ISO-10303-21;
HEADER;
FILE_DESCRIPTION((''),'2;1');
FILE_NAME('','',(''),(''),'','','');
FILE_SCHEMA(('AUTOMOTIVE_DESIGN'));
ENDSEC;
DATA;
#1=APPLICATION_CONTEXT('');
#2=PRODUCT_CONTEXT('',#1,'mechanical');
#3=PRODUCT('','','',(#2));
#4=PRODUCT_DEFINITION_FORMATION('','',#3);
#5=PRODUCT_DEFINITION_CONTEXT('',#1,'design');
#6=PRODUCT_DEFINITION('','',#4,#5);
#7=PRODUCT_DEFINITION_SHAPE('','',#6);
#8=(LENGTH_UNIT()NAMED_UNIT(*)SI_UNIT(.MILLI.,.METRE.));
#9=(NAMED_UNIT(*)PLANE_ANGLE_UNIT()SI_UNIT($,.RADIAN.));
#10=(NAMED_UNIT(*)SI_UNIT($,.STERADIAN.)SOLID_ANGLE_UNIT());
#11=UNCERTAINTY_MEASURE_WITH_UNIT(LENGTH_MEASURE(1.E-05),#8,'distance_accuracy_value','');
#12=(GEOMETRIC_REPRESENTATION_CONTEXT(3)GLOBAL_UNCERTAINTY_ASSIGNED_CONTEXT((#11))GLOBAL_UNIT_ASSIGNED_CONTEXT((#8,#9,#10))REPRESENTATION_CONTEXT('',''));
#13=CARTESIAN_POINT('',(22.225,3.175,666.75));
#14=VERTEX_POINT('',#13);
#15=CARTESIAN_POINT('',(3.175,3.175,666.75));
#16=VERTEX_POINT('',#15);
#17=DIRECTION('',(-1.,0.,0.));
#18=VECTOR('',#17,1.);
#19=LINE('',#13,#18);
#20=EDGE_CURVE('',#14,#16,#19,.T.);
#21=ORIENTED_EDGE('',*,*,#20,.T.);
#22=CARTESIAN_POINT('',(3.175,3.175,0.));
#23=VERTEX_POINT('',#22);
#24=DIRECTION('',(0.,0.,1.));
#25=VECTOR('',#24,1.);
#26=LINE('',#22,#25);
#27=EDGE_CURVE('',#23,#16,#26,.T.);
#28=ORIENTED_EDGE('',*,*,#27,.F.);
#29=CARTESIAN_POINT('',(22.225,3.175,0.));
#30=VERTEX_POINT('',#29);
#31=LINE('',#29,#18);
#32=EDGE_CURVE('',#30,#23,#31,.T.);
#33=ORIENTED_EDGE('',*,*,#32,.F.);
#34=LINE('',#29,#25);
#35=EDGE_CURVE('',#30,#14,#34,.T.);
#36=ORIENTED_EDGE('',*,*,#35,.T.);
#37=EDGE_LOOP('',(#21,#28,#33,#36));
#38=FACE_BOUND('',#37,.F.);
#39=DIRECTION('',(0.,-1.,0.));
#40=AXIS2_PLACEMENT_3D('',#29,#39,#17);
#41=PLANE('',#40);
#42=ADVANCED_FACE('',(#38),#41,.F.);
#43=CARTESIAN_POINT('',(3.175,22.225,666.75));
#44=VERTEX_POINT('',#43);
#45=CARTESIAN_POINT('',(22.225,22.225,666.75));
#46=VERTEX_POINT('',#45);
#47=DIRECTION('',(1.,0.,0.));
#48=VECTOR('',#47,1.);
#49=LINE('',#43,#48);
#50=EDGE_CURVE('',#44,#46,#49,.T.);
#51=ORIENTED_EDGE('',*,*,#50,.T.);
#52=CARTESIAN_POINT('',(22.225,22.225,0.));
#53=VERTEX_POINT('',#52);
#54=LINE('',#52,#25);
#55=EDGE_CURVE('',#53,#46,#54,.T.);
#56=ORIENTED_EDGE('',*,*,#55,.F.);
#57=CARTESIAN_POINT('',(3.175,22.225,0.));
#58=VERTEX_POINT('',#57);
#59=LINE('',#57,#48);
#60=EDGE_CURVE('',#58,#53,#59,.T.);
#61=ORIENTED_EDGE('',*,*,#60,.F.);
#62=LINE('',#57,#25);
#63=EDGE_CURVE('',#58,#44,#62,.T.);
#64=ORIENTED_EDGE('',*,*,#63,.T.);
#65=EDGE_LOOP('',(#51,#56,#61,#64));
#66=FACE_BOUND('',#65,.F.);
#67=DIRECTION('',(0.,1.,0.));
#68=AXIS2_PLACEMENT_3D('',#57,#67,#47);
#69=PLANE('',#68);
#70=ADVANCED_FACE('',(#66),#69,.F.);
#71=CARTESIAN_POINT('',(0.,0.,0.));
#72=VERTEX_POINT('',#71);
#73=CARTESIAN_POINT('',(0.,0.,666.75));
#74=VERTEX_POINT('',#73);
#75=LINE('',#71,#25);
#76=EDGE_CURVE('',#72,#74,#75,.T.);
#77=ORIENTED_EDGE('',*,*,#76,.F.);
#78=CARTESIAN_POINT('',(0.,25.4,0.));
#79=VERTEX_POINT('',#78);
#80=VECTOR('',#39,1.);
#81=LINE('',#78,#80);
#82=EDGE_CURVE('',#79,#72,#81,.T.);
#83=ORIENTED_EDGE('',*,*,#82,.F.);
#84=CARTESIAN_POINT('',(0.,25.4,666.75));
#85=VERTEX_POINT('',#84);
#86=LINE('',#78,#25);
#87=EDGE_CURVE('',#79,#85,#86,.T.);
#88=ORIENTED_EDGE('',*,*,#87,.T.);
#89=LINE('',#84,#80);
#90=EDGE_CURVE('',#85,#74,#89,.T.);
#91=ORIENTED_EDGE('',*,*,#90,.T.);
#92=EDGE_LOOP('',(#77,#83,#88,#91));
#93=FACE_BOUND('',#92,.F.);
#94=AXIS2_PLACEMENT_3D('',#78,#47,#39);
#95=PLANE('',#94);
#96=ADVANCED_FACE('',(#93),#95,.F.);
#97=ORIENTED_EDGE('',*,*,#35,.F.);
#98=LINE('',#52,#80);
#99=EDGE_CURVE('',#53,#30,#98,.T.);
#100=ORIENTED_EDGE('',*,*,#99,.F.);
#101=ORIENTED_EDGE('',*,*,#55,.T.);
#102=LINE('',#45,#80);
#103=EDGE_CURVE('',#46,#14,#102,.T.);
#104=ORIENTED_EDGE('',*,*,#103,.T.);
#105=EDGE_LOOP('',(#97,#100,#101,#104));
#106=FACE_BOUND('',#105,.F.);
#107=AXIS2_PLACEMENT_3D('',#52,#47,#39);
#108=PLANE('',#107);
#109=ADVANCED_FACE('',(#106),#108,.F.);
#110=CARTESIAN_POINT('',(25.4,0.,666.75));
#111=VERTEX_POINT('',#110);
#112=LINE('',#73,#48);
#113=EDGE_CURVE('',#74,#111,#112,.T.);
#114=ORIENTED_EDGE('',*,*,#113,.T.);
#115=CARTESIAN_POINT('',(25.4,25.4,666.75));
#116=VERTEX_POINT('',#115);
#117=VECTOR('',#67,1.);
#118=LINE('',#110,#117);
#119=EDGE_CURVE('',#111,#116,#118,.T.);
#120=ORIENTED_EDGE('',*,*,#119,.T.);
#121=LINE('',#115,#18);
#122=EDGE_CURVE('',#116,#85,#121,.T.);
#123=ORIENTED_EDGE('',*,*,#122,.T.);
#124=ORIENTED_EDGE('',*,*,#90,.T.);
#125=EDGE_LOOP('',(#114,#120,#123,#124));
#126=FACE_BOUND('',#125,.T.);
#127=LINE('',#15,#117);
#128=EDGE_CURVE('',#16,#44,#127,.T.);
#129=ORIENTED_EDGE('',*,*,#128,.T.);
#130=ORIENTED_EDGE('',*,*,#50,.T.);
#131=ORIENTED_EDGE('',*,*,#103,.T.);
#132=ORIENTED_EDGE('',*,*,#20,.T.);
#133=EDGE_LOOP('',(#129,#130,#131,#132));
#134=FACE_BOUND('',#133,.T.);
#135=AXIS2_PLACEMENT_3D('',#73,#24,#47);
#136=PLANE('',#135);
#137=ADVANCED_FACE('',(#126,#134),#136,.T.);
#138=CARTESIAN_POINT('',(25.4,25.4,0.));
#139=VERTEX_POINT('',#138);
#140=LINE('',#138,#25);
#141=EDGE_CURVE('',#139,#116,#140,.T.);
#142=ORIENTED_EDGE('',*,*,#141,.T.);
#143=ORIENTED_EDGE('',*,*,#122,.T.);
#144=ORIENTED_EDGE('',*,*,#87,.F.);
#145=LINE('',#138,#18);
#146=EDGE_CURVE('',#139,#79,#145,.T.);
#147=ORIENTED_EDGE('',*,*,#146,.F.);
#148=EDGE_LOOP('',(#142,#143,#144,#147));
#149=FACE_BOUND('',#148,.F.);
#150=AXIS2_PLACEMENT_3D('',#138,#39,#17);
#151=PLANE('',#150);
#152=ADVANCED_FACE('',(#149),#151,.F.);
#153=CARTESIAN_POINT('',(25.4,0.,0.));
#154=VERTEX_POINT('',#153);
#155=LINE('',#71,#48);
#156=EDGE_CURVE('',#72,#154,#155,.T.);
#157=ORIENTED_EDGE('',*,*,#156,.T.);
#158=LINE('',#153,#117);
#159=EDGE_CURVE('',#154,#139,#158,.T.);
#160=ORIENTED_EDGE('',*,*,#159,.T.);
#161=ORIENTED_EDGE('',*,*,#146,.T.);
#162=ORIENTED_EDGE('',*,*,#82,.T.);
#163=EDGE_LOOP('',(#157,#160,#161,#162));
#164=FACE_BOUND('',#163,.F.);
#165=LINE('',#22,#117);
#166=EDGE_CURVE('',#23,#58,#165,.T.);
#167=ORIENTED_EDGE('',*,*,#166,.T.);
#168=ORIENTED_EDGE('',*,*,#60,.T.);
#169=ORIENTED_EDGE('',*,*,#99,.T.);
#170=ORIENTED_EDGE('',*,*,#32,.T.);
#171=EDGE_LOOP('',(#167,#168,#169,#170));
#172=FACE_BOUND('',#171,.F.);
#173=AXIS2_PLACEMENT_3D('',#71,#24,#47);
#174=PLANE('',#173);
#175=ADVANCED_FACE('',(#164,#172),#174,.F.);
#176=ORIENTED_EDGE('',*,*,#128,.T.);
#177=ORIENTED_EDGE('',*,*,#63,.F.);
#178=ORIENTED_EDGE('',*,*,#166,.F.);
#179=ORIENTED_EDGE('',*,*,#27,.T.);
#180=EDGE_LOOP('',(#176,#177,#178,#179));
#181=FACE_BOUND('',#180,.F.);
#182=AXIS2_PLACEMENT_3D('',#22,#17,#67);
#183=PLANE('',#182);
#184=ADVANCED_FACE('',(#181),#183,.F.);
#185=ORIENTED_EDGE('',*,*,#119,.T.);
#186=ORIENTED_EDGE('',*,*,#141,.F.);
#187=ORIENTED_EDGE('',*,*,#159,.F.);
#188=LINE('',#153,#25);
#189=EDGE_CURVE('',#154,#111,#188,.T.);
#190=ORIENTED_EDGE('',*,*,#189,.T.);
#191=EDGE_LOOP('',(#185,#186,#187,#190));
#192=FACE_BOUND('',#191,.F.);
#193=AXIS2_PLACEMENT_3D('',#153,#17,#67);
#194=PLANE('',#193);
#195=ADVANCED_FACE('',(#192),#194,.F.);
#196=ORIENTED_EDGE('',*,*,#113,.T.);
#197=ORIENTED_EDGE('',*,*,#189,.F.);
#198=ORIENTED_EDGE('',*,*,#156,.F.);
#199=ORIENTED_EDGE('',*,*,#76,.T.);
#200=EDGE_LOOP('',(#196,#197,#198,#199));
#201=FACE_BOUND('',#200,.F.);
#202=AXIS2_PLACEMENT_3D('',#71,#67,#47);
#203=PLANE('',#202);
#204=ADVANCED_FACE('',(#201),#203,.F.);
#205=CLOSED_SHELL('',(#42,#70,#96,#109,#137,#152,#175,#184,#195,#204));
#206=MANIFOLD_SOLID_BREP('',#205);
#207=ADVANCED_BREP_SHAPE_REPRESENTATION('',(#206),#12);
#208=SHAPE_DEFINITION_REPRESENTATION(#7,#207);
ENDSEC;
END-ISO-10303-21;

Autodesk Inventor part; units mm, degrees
ref_plane "YZ Plane" through (0, 0, 0) normal (1, 0, 0) x (0, 1, 0)
ref_plane "XZ Plane" through (0, 0, 0) normal (0, 1, 0) x (-1, 0, 0)
ref_plane "XY Plane" through (0, 0, 0) normal (0, 0, 1) x (1, 0, 0)
sketch "Sketch1" plane through (0, 0, 0) normal (0, 0, 1) x (1, 0, 0)
  line L0 (0, 0) -> (25.4, 0)
  line L1 (25.4, 0) -> (25.4, 25.4)
  line L2 (25.4, 25.4) -> (0, 25.4)
  line L3 (0, 25.4) -> (0, 0)
  line L4 (3.175, 22.225) -> (22.225, 22.225)
  line L5 (22.225, 22.225) -> (22.225, 3.175)
  line L6 (22.225, 3.175) -> (3.175, 3.175)
  line L7 (3.175, 3.175) -> (3.175, 22.225)
  dimension "d0" = 25.4
  dimension "d1" = 25.4
  dimension "d2" = 3.175
extrude "Extrusion1" add sketch "Sketch1" along normal blind 666.75
properties part number "arm connect"
